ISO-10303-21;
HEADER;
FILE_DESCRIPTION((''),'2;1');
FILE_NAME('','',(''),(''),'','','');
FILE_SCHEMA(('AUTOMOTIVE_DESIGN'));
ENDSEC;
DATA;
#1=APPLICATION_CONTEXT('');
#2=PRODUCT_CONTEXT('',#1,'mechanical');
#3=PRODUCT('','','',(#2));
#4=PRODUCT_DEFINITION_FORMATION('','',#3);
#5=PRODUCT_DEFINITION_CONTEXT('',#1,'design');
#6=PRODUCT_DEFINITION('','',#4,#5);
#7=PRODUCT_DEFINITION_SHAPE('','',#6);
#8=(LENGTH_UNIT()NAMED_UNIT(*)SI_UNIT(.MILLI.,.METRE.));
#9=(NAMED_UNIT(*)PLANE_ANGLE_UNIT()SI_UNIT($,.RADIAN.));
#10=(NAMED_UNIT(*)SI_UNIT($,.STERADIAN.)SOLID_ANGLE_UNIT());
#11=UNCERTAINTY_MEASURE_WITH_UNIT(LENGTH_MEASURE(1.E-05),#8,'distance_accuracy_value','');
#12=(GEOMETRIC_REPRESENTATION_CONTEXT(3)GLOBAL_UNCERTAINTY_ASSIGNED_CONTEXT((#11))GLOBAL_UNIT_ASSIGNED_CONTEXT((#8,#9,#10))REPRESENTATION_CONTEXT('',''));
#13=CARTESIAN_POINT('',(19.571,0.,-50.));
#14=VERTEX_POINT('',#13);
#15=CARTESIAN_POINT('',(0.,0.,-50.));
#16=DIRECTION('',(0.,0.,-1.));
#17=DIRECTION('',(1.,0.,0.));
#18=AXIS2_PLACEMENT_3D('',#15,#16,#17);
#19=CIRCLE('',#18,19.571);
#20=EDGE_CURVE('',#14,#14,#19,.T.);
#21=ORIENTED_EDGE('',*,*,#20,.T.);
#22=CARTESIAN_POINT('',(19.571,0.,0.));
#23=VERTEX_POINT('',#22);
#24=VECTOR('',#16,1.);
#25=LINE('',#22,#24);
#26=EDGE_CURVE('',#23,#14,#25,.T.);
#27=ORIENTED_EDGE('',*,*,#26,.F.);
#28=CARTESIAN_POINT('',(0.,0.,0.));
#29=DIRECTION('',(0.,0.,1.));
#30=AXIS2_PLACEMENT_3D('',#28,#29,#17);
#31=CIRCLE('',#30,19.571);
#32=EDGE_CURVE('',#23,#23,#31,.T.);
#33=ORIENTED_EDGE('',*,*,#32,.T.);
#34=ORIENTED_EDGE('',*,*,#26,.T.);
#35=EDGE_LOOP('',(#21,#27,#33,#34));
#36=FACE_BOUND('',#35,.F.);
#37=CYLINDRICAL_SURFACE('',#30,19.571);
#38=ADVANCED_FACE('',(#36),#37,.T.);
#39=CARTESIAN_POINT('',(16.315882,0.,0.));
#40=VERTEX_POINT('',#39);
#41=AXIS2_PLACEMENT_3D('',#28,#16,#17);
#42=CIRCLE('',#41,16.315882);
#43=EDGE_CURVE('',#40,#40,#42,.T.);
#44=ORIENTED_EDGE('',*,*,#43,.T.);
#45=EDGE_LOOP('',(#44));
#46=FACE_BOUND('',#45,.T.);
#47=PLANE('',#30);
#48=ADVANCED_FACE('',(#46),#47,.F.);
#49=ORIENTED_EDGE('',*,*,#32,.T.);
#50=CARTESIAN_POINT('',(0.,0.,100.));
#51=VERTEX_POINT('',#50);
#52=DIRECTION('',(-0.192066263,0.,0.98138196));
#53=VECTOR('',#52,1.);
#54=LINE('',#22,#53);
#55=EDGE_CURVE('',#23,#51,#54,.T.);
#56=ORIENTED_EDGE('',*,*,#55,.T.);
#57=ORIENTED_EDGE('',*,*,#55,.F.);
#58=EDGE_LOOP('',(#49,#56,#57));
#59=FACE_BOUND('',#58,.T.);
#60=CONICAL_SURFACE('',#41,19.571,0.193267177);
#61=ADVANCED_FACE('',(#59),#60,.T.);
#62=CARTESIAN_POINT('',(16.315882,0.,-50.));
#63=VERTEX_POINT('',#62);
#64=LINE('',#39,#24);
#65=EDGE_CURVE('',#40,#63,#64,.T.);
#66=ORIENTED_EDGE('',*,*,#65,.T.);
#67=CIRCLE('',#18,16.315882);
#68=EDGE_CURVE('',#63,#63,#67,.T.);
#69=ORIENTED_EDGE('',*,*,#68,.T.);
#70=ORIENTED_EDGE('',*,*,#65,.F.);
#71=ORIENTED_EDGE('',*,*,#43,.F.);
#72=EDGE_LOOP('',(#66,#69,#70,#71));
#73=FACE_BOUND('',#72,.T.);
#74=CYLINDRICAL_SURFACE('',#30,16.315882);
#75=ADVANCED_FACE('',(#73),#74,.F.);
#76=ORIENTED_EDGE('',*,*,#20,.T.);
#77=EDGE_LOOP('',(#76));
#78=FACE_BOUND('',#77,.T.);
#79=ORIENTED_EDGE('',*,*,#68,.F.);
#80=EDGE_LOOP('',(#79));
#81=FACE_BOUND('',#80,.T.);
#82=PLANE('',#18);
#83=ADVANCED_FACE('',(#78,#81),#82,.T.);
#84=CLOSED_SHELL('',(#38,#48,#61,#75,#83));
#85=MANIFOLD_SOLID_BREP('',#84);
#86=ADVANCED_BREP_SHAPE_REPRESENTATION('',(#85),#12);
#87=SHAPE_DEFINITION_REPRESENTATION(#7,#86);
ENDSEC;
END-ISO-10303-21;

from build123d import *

# Parameters (mm, degrees)
F2_R     = 19.571
F2_R_2   = 16.315882
F3_DEPTH = 50


with BuildPart() as f1:
    # F0 (on Front) → F1 (revolve)
    with BuildSketch(Plane.XZ):
        Polygon((0, 100), (0, 0), (19.571, 0), align=None)
    revolve(axis=Axis((0, 0, 50), (0, 0, 1)))

    # F2 (on face) → F3 (join)
    with BuildSketch(Plane(origin=(0, 0, 0), x_dir=(1, 0, 0), z_dir=(0, 0, -1))):
        Circle(F2_R)
        Circle(F2_R_2, mode=Mode.SUBTRACT)
    extrude(amount=F3_DEPTH)


solid = f1.part
